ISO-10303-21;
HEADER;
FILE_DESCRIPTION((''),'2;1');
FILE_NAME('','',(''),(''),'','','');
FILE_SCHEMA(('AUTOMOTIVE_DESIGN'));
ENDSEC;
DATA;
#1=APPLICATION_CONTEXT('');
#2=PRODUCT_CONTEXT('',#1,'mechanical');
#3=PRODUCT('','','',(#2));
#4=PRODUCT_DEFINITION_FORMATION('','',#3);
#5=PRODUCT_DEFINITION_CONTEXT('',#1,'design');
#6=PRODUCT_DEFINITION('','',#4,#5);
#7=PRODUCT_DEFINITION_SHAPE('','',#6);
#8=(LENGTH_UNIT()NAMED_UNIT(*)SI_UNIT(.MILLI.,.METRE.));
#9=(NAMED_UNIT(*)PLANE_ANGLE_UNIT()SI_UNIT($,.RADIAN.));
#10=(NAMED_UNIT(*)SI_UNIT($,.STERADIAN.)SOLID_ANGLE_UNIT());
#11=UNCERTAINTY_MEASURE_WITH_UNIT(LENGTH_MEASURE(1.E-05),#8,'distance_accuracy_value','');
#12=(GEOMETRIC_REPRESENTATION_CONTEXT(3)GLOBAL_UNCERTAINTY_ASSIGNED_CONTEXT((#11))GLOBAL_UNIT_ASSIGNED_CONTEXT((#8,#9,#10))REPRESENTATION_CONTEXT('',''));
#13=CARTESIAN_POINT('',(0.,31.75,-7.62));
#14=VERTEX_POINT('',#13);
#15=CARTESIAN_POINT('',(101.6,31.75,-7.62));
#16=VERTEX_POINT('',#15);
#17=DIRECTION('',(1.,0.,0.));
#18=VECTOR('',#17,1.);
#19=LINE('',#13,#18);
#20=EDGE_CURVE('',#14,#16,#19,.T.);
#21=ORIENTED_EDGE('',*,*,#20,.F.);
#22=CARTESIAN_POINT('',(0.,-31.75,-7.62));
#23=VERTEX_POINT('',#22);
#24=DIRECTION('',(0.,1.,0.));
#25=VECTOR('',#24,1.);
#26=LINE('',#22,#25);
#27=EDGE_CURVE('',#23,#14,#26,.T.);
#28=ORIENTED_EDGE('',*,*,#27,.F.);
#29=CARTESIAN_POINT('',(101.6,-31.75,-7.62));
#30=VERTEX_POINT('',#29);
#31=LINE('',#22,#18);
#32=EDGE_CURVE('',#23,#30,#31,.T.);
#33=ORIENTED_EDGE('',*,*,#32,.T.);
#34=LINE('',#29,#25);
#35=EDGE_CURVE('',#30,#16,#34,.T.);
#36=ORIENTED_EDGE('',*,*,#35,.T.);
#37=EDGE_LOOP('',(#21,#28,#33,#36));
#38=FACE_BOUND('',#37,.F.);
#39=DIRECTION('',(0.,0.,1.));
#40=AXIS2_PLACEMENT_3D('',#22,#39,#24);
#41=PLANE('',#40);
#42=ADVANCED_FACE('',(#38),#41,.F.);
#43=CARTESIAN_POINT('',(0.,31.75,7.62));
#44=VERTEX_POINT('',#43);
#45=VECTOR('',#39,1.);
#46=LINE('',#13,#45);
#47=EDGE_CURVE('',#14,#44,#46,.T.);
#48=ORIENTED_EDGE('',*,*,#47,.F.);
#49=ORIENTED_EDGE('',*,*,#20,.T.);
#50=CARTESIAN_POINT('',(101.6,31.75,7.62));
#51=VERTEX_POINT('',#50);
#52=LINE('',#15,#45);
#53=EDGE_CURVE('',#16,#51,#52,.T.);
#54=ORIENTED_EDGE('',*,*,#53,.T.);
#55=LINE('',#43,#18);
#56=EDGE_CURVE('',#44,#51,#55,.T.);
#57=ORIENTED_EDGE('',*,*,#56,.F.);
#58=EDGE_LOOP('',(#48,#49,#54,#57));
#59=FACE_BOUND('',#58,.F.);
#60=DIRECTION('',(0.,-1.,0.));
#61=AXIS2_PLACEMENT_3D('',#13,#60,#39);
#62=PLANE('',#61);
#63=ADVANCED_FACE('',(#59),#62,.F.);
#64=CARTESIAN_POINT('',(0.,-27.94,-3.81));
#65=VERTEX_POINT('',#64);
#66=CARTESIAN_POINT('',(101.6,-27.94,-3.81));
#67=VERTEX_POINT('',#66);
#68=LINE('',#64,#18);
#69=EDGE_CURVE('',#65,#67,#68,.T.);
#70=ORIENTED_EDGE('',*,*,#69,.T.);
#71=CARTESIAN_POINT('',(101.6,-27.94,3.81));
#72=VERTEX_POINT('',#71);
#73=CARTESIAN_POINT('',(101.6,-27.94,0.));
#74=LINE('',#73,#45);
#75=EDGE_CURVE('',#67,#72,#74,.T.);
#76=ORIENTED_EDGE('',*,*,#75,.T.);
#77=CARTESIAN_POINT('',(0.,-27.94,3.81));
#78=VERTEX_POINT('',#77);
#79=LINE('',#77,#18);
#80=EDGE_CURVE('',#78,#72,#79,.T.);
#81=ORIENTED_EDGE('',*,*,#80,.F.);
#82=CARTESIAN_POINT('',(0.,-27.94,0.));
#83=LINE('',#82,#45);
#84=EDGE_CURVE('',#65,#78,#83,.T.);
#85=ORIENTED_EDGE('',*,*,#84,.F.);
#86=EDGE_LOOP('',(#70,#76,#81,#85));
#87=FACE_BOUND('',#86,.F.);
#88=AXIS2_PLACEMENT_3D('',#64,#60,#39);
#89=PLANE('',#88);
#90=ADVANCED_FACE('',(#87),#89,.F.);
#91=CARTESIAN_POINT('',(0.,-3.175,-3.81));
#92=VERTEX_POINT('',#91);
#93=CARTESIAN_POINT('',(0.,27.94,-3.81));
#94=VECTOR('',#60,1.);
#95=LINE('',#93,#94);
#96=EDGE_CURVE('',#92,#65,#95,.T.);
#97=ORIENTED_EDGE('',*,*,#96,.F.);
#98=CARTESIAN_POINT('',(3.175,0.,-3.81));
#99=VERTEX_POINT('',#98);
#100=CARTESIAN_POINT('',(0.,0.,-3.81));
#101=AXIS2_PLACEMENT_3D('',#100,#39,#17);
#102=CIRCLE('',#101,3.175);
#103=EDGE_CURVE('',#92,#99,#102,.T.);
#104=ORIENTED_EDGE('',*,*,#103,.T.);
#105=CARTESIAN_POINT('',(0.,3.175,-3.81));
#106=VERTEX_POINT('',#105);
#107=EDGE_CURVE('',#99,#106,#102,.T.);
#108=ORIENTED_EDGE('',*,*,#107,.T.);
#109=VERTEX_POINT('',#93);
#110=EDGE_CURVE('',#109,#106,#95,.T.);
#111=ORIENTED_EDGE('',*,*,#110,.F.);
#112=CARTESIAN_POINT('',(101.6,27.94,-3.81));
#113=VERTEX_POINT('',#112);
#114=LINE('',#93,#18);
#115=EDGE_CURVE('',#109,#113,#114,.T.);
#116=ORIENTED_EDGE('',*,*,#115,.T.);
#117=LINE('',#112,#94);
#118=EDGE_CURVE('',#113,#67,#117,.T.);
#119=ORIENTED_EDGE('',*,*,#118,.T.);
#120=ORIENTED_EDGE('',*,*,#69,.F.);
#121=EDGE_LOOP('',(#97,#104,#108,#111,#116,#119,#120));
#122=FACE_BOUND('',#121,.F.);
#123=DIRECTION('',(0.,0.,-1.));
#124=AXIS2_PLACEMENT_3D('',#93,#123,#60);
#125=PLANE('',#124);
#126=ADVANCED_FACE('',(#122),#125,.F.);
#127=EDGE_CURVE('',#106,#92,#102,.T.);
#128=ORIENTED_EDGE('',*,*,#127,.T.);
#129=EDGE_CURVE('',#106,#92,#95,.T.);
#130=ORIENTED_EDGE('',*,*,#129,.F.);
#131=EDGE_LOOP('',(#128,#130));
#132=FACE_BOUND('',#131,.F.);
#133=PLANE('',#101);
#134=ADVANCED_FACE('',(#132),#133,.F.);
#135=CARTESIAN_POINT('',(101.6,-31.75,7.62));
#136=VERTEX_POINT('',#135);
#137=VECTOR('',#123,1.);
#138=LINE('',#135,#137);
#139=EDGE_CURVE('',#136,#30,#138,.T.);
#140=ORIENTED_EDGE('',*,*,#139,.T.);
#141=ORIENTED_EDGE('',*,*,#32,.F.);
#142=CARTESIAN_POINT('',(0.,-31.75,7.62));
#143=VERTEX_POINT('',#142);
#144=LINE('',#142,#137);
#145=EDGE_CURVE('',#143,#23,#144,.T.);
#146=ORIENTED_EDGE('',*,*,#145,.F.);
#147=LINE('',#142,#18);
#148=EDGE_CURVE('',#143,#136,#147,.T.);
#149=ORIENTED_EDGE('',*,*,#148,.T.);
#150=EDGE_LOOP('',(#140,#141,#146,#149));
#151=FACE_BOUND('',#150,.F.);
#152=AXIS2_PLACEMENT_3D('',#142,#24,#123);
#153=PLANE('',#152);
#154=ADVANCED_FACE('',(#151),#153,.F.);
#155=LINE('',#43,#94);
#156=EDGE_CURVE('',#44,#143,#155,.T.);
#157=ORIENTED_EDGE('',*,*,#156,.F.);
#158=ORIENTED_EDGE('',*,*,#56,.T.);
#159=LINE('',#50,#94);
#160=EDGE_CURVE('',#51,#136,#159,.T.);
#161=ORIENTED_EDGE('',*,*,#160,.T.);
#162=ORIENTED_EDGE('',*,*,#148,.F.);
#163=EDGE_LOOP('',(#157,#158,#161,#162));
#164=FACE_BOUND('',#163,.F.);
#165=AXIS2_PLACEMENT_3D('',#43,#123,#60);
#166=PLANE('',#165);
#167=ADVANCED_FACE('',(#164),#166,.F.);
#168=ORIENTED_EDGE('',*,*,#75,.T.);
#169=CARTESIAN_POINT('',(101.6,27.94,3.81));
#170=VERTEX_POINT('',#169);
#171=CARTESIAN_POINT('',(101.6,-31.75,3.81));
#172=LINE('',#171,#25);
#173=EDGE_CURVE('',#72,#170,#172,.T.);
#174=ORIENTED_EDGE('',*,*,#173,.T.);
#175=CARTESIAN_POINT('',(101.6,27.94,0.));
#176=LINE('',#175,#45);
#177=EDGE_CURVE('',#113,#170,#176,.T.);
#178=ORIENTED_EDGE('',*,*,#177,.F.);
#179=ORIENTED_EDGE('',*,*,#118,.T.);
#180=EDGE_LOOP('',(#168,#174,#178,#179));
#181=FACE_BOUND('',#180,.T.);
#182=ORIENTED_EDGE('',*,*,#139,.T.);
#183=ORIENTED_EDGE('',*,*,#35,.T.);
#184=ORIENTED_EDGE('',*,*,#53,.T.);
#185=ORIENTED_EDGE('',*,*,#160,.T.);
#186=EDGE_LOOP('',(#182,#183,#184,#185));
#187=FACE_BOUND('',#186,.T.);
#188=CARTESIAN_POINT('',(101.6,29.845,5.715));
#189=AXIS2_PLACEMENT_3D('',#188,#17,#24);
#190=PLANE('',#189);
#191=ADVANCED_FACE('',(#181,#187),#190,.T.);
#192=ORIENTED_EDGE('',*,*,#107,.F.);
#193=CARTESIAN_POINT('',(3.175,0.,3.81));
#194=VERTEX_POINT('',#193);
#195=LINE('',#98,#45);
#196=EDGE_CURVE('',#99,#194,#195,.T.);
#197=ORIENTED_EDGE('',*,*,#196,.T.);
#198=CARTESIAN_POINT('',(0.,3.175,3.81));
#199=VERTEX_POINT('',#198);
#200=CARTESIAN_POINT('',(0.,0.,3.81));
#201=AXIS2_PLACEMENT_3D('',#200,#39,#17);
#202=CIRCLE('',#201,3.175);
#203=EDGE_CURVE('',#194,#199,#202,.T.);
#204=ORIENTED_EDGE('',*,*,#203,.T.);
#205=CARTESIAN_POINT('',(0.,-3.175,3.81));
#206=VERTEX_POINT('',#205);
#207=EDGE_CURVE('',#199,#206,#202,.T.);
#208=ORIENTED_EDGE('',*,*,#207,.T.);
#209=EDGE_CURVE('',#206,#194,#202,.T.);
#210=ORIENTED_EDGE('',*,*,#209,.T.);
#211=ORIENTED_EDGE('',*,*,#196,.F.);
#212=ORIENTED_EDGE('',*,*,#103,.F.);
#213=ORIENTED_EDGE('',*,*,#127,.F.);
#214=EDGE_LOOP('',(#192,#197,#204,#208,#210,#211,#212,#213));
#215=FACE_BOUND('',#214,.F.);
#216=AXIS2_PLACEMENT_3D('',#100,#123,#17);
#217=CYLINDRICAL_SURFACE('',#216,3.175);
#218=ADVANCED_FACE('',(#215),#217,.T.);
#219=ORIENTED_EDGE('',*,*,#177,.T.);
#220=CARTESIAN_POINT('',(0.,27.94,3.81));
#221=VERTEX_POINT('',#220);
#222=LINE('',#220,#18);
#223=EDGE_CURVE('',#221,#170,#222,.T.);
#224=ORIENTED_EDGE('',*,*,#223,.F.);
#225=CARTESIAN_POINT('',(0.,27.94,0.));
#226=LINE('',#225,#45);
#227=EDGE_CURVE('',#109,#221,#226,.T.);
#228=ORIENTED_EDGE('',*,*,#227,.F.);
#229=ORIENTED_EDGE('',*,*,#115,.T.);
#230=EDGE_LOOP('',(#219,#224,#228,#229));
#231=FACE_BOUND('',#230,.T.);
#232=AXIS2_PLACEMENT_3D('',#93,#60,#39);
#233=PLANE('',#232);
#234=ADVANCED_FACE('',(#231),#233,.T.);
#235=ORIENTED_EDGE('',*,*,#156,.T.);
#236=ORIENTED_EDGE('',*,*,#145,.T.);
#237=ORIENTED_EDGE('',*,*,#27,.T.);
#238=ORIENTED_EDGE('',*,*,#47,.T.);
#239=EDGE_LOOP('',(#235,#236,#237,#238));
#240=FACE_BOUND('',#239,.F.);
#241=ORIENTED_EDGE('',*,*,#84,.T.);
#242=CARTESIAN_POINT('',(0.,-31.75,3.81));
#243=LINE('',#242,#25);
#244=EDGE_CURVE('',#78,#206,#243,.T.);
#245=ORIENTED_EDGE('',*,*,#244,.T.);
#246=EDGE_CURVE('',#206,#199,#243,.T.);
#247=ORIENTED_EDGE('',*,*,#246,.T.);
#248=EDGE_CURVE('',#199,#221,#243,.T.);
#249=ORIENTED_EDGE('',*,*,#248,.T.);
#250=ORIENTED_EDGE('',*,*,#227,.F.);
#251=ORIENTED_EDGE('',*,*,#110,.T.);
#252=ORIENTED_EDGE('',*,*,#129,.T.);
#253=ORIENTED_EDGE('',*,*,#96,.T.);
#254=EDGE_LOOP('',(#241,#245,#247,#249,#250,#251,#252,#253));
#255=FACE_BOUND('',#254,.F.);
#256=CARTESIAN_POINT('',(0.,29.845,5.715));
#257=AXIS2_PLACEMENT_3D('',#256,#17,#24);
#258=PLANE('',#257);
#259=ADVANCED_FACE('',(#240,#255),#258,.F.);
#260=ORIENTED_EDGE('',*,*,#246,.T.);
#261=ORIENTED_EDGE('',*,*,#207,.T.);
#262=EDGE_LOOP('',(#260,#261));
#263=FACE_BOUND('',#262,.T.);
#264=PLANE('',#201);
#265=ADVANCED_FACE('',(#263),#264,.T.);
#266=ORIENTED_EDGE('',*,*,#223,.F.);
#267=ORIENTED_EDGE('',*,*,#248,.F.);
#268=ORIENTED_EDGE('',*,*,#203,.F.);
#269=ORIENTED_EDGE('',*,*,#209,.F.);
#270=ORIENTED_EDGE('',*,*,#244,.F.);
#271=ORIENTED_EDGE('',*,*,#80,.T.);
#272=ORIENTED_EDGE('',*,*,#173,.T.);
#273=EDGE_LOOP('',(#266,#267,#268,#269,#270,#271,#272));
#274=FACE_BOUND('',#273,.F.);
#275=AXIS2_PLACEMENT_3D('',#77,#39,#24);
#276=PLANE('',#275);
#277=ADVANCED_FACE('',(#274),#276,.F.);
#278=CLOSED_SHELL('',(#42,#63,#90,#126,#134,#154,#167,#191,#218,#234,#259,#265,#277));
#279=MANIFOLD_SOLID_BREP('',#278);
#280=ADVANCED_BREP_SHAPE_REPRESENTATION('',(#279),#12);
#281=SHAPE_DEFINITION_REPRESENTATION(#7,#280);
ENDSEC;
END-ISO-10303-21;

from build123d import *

# Parameters (mm, degrees)
F0_W     = 3.81
F0_H     = 3.81
F0_W_2   = 55.88
F0_H_2   = 7.62
F1_DEPTH = 101.6
F2_R     = 3.175
F3_DEPTH = 7.62


with BuildPart() as f1:
    # F0 (on Right) → F1 (new body)
    with BuildSketch(Plane.YZ):
        with Locations((29.845, 5.715)):
            Rectangle(F0_W, F0_H)
        with Locations((0, 5.715)):
            Rectangle(F0_W_2, F0_H)
        with Locations((29.845, 0)):
            Rectangle(F0_W, F0_H_2)
        with Locations((-29.845, 5.715)):
            Rectangle(F0_W, F0_H)
        Polygon((31.75, -7.62), (31.75, -3.81), (27.94, -3.81), (-27.94, -3.81), (-31.75, -3.81), (-31.75, -7.62), (27.94, -7.62), align=None)
        with Locations((-29.845, 0)):
            Rectangle(F0_W, F0_H_2)
    extrude(amount=F1_DEPTH)

    # F2 (on face) → F3 (join)
    with BuildSketch(Plane.XY.offset(-3.81)):
        Circle(F2_R)
    extrude(amount=F3_DEPTH)


solid = f1.part
